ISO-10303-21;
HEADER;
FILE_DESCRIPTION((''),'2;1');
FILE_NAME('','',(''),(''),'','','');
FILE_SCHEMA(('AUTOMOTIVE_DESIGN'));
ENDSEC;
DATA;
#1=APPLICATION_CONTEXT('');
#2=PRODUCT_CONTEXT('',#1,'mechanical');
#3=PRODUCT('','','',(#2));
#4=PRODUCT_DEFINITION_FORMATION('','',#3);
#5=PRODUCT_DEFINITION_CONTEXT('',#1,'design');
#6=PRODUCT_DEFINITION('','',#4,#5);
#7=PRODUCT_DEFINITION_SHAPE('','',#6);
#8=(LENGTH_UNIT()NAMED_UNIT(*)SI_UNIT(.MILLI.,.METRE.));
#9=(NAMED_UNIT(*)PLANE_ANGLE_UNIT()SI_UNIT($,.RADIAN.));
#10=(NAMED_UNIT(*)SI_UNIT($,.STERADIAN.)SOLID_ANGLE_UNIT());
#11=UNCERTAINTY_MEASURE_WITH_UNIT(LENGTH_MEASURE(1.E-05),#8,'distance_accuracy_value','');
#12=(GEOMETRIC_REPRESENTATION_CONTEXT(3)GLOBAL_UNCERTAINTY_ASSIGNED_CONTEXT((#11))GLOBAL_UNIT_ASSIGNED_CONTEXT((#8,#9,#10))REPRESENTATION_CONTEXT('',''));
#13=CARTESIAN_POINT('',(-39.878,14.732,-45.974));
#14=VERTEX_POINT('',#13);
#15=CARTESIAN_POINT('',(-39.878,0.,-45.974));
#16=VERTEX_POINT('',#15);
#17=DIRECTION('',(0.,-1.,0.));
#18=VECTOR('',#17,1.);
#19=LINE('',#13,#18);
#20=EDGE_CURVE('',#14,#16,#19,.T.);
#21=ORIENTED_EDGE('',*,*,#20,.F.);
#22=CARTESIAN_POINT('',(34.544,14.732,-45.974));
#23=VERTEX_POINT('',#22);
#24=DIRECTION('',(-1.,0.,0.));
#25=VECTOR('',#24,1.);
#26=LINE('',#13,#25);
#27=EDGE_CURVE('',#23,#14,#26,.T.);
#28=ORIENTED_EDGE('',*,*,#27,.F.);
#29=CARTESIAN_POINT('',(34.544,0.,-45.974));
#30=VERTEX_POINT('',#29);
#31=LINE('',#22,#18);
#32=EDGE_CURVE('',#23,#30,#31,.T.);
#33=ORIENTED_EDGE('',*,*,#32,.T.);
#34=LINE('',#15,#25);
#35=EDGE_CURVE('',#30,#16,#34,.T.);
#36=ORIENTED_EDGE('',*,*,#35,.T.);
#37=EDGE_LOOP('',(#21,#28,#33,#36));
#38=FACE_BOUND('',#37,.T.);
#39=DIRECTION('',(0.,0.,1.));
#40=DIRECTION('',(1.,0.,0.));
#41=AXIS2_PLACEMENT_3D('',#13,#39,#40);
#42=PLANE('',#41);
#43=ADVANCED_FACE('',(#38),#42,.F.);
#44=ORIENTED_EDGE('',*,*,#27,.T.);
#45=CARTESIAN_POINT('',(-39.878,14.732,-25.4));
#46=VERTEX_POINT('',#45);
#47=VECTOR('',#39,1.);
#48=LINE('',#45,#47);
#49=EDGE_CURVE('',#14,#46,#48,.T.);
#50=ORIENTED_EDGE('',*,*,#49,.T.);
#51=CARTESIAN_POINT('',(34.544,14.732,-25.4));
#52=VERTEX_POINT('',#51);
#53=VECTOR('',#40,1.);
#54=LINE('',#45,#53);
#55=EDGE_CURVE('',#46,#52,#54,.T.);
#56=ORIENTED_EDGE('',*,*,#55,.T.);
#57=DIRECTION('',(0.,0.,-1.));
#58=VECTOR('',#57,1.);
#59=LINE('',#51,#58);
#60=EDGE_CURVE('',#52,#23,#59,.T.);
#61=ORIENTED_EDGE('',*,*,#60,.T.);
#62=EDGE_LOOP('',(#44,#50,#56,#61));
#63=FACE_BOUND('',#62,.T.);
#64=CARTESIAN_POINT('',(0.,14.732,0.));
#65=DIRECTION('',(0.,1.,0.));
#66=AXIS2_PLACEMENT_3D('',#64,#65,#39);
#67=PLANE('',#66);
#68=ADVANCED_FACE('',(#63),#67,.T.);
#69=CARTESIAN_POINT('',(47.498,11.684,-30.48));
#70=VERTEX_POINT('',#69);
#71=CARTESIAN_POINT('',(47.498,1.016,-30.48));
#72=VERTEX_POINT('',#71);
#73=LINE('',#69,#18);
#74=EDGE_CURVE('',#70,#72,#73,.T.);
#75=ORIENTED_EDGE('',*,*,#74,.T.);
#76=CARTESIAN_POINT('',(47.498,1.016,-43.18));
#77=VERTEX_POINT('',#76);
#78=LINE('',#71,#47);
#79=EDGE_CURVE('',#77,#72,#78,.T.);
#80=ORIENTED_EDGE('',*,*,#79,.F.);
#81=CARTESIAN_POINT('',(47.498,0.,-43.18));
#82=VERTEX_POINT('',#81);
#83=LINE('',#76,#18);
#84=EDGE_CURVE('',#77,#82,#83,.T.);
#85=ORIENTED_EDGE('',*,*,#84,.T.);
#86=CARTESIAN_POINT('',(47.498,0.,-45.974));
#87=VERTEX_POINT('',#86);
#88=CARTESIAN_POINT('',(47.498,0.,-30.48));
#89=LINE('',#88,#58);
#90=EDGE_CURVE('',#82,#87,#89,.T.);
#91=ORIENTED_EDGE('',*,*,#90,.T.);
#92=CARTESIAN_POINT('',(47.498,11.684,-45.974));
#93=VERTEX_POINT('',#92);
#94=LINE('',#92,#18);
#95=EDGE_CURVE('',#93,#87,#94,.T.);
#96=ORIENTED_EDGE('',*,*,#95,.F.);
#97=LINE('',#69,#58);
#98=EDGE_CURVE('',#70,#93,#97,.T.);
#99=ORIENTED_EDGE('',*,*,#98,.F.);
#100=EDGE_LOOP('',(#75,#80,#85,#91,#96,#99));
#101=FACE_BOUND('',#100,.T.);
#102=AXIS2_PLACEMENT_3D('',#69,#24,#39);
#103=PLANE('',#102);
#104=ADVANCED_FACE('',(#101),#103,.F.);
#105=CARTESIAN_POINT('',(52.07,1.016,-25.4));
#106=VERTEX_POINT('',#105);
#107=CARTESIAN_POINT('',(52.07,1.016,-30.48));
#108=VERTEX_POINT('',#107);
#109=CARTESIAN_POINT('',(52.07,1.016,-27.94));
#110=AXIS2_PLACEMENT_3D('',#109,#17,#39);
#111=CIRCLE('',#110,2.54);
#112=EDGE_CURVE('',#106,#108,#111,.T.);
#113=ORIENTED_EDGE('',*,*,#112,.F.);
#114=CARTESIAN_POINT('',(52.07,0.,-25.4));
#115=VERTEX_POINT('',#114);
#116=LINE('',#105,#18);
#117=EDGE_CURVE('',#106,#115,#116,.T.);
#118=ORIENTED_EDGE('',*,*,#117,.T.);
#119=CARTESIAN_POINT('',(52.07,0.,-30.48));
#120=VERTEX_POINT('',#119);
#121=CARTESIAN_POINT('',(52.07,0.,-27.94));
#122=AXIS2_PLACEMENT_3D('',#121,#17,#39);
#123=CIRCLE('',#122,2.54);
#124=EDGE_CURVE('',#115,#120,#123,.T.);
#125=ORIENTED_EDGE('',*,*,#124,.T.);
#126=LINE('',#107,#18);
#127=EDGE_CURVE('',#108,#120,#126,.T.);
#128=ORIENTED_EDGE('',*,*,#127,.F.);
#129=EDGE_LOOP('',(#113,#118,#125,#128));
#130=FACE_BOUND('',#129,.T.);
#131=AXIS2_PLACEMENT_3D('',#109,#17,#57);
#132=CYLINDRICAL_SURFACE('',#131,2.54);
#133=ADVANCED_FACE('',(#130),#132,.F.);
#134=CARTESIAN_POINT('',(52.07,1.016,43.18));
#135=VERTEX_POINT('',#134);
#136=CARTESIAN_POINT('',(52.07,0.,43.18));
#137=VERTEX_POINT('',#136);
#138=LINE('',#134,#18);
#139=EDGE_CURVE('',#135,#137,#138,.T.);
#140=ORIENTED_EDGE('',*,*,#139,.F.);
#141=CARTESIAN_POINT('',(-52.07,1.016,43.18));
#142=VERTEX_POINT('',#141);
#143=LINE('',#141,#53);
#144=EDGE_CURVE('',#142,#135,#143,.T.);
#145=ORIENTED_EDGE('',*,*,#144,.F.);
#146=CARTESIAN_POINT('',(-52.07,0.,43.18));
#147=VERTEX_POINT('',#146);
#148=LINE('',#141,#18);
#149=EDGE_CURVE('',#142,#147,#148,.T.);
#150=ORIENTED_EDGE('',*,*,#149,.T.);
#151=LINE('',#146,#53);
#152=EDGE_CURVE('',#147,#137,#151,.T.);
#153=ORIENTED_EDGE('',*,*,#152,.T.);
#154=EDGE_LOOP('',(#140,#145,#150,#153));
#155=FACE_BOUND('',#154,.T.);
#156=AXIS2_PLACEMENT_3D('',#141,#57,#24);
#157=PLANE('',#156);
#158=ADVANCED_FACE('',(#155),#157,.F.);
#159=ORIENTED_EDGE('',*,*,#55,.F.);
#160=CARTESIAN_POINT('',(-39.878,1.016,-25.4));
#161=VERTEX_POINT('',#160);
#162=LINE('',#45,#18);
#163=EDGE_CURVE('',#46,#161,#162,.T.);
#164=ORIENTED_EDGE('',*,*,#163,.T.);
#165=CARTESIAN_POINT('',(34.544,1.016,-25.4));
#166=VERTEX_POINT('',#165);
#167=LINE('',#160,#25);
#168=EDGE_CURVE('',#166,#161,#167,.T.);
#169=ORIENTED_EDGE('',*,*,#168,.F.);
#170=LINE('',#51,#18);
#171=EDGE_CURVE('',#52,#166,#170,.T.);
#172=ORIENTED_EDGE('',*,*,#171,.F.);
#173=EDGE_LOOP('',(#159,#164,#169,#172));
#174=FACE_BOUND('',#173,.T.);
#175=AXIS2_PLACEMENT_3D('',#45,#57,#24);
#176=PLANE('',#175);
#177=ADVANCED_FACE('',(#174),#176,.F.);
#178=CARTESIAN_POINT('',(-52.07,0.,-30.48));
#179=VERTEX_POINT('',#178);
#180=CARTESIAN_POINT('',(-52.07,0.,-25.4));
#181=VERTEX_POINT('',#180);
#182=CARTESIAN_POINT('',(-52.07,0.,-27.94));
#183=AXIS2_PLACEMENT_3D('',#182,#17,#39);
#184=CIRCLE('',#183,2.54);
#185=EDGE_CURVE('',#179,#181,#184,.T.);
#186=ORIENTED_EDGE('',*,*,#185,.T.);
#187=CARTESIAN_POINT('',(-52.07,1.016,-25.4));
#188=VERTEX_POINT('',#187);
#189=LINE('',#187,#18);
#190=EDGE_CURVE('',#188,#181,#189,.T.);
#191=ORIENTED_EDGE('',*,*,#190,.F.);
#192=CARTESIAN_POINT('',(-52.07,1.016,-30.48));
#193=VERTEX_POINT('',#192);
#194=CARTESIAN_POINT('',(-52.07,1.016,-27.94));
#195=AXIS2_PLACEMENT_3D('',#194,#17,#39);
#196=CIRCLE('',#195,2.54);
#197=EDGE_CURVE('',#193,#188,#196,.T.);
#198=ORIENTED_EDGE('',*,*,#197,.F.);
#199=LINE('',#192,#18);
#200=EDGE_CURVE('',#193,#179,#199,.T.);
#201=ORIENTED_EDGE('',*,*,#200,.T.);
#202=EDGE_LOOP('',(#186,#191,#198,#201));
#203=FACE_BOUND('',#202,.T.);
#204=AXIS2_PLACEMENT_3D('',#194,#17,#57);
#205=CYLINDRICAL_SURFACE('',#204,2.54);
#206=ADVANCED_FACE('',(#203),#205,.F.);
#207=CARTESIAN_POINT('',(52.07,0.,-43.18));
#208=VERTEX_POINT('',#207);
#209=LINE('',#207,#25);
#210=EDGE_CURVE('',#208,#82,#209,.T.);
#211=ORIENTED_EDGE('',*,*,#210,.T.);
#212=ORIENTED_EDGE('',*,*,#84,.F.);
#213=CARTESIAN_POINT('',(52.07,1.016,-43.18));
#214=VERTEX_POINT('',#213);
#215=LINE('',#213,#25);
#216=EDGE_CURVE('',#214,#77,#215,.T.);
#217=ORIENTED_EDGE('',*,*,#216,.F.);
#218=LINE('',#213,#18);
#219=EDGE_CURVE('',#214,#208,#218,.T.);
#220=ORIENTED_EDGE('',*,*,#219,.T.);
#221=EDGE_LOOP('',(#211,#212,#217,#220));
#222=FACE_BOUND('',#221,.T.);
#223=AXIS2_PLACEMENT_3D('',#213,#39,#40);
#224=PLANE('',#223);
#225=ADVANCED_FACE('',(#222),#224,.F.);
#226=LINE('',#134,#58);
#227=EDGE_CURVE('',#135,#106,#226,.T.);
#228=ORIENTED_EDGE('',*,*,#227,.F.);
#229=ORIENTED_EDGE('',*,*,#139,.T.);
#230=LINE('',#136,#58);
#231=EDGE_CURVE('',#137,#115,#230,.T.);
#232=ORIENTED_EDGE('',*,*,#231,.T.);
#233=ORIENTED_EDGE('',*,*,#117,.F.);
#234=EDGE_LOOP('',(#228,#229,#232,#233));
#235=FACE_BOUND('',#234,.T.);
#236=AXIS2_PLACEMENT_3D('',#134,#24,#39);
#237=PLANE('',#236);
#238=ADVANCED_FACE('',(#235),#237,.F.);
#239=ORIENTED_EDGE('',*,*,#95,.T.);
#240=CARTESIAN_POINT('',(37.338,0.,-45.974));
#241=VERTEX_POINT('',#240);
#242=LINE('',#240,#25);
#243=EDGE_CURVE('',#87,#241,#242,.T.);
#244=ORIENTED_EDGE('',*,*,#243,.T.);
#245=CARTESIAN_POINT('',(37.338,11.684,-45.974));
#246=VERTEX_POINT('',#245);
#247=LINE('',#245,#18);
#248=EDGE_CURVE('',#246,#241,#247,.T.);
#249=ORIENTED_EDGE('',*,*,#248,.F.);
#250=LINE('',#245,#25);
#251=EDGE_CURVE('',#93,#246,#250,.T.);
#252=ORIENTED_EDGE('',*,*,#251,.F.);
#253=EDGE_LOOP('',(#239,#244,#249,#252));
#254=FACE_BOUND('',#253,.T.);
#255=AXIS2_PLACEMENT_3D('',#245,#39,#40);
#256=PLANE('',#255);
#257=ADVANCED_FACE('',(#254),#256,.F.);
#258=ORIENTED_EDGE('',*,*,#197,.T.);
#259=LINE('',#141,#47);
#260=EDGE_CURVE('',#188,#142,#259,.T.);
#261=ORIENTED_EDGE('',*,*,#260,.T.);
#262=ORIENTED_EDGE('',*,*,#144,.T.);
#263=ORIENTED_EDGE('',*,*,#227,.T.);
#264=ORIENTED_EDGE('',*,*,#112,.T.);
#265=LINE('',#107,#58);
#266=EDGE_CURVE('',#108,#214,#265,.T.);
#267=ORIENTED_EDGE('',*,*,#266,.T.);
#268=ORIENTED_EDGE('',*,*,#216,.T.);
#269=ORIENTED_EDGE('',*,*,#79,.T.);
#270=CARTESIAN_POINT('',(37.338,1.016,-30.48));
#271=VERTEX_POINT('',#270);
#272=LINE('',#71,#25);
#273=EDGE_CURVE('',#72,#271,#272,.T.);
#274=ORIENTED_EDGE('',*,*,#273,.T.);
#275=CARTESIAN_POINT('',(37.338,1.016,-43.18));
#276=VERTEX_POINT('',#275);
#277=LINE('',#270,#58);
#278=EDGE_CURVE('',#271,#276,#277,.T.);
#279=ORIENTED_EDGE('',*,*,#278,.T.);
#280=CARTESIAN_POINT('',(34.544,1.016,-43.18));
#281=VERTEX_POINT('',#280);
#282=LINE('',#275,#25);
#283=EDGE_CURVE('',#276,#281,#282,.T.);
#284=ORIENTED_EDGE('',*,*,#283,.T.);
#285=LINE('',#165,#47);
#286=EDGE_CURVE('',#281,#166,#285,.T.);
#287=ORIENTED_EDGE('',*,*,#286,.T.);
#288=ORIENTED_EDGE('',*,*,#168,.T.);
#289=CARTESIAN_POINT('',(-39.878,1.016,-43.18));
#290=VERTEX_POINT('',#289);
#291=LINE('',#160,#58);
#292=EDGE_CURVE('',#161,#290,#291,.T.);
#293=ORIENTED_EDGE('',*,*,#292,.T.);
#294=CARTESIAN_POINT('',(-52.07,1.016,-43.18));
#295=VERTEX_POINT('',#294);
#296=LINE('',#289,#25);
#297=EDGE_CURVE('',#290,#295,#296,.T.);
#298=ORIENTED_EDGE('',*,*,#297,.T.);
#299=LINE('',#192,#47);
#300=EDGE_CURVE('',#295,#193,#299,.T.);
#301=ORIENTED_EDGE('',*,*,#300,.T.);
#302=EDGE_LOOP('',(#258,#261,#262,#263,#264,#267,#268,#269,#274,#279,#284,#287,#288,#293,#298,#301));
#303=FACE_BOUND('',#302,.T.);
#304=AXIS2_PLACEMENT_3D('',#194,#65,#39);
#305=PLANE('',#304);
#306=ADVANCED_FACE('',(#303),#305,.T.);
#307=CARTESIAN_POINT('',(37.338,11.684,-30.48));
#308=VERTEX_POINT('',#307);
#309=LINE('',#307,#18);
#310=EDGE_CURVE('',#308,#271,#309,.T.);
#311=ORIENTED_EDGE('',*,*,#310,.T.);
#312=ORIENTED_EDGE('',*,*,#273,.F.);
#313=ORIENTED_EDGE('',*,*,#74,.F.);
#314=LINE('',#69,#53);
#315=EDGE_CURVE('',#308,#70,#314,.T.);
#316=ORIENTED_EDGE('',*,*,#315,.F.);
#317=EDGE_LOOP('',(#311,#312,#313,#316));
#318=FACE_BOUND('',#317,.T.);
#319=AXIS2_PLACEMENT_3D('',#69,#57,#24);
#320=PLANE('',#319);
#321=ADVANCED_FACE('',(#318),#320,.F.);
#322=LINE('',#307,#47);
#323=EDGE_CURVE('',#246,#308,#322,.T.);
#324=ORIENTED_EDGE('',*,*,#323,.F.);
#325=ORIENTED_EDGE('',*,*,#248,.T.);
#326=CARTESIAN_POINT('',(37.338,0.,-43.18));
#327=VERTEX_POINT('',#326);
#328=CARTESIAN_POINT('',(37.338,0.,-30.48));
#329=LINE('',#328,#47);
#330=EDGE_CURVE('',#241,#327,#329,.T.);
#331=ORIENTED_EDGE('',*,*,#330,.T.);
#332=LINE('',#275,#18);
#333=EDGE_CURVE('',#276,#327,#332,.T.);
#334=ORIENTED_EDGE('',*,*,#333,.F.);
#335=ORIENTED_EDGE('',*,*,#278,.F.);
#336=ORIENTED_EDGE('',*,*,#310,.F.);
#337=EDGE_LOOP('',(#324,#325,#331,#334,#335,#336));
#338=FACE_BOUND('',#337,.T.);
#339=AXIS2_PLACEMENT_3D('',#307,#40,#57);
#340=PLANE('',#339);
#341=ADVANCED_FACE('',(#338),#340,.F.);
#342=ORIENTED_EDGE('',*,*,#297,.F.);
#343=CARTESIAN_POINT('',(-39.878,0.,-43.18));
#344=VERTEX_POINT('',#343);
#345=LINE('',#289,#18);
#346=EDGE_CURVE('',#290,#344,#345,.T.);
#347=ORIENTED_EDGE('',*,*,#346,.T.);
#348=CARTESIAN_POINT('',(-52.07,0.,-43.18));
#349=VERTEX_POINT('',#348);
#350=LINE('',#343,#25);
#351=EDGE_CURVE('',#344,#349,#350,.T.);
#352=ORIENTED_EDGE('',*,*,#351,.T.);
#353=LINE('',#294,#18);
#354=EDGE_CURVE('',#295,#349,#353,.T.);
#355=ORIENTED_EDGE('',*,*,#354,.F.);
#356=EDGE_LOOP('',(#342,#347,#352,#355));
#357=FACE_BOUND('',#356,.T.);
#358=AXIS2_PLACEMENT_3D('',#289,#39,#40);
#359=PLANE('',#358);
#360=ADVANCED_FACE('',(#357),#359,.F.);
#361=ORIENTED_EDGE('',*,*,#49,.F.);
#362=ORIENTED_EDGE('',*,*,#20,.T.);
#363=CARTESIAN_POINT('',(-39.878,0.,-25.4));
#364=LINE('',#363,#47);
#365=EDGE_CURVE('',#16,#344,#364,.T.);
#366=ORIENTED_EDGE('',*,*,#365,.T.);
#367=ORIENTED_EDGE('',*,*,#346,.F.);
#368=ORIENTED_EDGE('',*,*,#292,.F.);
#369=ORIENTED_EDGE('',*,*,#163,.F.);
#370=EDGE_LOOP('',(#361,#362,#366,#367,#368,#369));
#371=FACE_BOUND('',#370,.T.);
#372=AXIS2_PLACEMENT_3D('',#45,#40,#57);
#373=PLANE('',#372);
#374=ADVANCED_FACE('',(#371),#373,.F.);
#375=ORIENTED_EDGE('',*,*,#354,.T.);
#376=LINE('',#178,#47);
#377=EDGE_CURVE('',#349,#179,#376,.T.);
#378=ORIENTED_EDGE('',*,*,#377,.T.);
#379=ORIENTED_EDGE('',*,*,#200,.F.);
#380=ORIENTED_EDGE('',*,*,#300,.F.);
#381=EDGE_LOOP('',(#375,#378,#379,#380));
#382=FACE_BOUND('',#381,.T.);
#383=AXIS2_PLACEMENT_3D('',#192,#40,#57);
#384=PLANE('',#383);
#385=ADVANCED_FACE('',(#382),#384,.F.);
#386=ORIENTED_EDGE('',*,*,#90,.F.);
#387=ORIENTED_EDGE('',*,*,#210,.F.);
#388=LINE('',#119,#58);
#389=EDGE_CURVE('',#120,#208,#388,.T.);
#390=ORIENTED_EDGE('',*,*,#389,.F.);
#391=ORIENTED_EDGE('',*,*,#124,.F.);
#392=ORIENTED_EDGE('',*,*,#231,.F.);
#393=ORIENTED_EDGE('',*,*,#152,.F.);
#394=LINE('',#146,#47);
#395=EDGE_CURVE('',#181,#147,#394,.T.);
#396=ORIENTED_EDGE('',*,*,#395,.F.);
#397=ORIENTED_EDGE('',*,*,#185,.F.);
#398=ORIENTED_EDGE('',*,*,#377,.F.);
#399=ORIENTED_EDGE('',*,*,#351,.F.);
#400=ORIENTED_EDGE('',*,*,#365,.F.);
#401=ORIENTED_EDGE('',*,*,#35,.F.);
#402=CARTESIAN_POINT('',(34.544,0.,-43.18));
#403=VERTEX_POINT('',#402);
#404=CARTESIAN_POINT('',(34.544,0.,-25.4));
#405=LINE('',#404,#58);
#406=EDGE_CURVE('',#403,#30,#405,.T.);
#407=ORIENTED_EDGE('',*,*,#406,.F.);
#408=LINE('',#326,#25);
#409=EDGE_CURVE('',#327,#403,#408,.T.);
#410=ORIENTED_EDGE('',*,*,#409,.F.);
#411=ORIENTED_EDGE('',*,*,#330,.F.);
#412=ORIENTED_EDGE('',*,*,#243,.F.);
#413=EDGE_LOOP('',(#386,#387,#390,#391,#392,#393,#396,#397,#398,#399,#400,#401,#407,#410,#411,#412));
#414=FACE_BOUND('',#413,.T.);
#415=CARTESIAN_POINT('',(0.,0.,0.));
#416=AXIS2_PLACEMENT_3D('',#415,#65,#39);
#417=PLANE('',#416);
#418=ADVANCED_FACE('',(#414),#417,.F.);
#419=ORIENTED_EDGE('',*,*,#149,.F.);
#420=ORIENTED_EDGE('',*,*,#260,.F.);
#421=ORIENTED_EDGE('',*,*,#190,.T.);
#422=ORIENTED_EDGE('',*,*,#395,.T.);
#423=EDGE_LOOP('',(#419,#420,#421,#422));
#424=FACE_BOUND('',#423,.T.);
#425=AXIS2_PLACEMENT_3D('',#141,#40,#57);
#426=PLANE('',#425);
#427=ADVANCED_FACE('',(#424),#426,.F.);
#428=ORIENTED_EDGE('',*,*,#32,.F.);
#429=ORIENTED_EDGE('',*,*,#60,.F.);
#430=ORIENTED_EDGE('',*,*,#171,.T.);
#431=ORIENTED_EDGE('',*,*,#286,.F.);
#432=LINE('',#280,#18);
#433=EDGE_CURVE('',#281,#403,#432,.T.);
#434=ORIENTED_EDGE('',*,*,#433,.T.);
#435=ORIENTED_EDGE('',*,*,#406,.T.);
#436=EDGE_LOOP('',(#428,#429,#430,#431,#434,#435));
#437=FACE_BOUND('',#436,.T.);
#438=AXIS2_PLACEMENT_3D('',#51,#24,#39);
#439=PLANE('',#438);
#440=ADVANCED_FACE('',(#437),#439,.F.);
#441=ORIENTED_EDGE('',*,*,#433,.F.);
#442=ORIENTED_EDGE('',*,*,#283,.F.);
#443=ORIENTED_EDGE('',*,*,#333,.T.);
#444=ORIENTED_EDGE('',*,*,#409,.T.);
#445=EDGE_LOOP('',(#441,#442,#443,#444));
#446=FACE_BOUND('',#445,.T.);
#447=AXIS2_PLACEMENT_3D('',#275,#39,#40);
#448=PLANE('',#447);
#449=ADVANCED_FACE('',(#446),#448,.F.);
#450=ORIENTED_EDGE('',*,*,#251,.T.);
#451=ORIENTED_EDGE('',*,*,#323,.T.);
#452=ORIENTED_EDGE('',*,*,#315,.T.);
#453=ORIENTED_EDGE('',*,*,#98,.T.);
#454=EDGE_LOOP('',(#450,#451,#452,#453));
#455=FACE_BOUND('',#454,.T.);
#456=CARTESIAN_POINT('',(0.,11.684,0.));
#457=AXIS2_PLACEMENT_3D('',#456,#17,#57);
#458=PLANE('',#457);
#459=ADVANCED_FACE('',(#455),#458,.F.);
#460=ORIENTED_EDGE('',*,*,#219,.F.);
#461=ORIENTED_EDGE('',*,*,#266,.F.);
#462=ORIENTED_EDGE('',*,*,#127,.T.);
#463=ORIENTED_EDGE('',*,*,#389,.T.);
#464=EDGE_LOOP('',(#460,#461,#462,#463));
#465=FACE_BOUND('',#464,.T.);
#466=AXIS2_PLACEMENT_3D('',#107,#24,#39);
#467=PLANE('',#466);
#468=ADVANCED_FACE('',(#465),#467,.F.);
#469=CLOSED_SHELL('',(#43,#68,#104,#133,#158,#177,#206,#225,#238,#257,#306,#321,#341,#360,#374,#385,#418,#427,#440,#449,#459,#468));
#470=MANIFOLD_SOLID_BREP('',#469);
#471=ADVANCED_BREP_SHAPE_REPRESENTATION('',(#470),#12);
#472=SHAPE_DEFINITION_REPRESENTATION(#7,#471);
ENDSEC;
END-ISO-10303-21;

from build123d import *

# Parameters (mm, degrees)
SKETCH2_W           = 74.422
SKETCH2_H           = 20.574
BOSS_EXTRUDE3_DEPTH = 14.732
SKETCH7_W           = 10.16
SKETCH7_H           = 15.494
BOSS_EXTRUDE4_DEPTH = 11.684
BOSS_EXTRUDE5_DEPTH = 1.016


with BuildPart() as part:
    # Sketch2 → Boss-Extrude3 (new body)
    with BuildSketch(Plane(origin=(0, 0, 0), x_dir=(1, 0, 0), z_dir=(0, 1, 0))):
        with Locations((-2.667, 35.687)):
            Rectangle(SKETCH2_W, SKETCH2_H)
    extrude(amount=BOSS_EXTRUDE3_DEPTH)



with BuildPart() as body_2:
    # Sketch7 → Boss-Extrude4 (new body)
    with BuildSketch(Plane(origin=(0, 0, 0), x_dir=(1, 0, 0), z_dir=(0, 1, 0))):
        with Locations((42.418, 38.227)):
            Rectangle(SKETCH7_W, SKETCH7_H)
    extrude(amount=BOSS_EXTRUDE4_DEPTH)


with BuildPart() as part_1:
    add(part.part)

    add(body_2.part)  # Boss-Extrude5 merges body 2
    # Sketch9 → Boss-Extrude5 (add)
    with BuildSketch(Plane(origin=(0, 0, 0), x_dir=(1, 0, 0), z_dir=(0, 1, 0))):
        with BuildLine():
            Line((-39.878, 43.18), (-52.07, 43.18))
            Line((-52.07, 43.18), (-52.07, 30.48))
            ThreePointArc((-52.07, 30.48), (-49.53, 27.94), (-52.07, 25.4))
            Line((-52.07, 25.4), (-52.07, -43.18))
            Line((-52.07, -43.18), (52.07, -43.18))
            Line((52.07, -43.18), (52.07, 25.4))
            ThreePointArc((52.07, 25.4), (49.53, 27.94), (52.07, 30.48))
            Line((52.07, 30.48), (52.07, 43.18))
            Line((52.07, 43.18), (47.498, 43.18))
            Line((47.498, 43.18), (47.498, 30.48))
            Line((47.498, 30.48), (37.338, 30.48))
            Line((37.338, 30.48), (37.338, 43.18))
            Line((37.338, 43.18), (34.544, 43.18))
            Line((34.544, 43.18), (34.544, 25.4))
            Line((34.544, 25.4), (-39.878, 25.4))
            Line((-39.878, 25.4), (-39.878, 43.18))
        make_face()
    extrude(amount=BOSS_EXTRUDE5_DEPTH)


solid = part_1.part
